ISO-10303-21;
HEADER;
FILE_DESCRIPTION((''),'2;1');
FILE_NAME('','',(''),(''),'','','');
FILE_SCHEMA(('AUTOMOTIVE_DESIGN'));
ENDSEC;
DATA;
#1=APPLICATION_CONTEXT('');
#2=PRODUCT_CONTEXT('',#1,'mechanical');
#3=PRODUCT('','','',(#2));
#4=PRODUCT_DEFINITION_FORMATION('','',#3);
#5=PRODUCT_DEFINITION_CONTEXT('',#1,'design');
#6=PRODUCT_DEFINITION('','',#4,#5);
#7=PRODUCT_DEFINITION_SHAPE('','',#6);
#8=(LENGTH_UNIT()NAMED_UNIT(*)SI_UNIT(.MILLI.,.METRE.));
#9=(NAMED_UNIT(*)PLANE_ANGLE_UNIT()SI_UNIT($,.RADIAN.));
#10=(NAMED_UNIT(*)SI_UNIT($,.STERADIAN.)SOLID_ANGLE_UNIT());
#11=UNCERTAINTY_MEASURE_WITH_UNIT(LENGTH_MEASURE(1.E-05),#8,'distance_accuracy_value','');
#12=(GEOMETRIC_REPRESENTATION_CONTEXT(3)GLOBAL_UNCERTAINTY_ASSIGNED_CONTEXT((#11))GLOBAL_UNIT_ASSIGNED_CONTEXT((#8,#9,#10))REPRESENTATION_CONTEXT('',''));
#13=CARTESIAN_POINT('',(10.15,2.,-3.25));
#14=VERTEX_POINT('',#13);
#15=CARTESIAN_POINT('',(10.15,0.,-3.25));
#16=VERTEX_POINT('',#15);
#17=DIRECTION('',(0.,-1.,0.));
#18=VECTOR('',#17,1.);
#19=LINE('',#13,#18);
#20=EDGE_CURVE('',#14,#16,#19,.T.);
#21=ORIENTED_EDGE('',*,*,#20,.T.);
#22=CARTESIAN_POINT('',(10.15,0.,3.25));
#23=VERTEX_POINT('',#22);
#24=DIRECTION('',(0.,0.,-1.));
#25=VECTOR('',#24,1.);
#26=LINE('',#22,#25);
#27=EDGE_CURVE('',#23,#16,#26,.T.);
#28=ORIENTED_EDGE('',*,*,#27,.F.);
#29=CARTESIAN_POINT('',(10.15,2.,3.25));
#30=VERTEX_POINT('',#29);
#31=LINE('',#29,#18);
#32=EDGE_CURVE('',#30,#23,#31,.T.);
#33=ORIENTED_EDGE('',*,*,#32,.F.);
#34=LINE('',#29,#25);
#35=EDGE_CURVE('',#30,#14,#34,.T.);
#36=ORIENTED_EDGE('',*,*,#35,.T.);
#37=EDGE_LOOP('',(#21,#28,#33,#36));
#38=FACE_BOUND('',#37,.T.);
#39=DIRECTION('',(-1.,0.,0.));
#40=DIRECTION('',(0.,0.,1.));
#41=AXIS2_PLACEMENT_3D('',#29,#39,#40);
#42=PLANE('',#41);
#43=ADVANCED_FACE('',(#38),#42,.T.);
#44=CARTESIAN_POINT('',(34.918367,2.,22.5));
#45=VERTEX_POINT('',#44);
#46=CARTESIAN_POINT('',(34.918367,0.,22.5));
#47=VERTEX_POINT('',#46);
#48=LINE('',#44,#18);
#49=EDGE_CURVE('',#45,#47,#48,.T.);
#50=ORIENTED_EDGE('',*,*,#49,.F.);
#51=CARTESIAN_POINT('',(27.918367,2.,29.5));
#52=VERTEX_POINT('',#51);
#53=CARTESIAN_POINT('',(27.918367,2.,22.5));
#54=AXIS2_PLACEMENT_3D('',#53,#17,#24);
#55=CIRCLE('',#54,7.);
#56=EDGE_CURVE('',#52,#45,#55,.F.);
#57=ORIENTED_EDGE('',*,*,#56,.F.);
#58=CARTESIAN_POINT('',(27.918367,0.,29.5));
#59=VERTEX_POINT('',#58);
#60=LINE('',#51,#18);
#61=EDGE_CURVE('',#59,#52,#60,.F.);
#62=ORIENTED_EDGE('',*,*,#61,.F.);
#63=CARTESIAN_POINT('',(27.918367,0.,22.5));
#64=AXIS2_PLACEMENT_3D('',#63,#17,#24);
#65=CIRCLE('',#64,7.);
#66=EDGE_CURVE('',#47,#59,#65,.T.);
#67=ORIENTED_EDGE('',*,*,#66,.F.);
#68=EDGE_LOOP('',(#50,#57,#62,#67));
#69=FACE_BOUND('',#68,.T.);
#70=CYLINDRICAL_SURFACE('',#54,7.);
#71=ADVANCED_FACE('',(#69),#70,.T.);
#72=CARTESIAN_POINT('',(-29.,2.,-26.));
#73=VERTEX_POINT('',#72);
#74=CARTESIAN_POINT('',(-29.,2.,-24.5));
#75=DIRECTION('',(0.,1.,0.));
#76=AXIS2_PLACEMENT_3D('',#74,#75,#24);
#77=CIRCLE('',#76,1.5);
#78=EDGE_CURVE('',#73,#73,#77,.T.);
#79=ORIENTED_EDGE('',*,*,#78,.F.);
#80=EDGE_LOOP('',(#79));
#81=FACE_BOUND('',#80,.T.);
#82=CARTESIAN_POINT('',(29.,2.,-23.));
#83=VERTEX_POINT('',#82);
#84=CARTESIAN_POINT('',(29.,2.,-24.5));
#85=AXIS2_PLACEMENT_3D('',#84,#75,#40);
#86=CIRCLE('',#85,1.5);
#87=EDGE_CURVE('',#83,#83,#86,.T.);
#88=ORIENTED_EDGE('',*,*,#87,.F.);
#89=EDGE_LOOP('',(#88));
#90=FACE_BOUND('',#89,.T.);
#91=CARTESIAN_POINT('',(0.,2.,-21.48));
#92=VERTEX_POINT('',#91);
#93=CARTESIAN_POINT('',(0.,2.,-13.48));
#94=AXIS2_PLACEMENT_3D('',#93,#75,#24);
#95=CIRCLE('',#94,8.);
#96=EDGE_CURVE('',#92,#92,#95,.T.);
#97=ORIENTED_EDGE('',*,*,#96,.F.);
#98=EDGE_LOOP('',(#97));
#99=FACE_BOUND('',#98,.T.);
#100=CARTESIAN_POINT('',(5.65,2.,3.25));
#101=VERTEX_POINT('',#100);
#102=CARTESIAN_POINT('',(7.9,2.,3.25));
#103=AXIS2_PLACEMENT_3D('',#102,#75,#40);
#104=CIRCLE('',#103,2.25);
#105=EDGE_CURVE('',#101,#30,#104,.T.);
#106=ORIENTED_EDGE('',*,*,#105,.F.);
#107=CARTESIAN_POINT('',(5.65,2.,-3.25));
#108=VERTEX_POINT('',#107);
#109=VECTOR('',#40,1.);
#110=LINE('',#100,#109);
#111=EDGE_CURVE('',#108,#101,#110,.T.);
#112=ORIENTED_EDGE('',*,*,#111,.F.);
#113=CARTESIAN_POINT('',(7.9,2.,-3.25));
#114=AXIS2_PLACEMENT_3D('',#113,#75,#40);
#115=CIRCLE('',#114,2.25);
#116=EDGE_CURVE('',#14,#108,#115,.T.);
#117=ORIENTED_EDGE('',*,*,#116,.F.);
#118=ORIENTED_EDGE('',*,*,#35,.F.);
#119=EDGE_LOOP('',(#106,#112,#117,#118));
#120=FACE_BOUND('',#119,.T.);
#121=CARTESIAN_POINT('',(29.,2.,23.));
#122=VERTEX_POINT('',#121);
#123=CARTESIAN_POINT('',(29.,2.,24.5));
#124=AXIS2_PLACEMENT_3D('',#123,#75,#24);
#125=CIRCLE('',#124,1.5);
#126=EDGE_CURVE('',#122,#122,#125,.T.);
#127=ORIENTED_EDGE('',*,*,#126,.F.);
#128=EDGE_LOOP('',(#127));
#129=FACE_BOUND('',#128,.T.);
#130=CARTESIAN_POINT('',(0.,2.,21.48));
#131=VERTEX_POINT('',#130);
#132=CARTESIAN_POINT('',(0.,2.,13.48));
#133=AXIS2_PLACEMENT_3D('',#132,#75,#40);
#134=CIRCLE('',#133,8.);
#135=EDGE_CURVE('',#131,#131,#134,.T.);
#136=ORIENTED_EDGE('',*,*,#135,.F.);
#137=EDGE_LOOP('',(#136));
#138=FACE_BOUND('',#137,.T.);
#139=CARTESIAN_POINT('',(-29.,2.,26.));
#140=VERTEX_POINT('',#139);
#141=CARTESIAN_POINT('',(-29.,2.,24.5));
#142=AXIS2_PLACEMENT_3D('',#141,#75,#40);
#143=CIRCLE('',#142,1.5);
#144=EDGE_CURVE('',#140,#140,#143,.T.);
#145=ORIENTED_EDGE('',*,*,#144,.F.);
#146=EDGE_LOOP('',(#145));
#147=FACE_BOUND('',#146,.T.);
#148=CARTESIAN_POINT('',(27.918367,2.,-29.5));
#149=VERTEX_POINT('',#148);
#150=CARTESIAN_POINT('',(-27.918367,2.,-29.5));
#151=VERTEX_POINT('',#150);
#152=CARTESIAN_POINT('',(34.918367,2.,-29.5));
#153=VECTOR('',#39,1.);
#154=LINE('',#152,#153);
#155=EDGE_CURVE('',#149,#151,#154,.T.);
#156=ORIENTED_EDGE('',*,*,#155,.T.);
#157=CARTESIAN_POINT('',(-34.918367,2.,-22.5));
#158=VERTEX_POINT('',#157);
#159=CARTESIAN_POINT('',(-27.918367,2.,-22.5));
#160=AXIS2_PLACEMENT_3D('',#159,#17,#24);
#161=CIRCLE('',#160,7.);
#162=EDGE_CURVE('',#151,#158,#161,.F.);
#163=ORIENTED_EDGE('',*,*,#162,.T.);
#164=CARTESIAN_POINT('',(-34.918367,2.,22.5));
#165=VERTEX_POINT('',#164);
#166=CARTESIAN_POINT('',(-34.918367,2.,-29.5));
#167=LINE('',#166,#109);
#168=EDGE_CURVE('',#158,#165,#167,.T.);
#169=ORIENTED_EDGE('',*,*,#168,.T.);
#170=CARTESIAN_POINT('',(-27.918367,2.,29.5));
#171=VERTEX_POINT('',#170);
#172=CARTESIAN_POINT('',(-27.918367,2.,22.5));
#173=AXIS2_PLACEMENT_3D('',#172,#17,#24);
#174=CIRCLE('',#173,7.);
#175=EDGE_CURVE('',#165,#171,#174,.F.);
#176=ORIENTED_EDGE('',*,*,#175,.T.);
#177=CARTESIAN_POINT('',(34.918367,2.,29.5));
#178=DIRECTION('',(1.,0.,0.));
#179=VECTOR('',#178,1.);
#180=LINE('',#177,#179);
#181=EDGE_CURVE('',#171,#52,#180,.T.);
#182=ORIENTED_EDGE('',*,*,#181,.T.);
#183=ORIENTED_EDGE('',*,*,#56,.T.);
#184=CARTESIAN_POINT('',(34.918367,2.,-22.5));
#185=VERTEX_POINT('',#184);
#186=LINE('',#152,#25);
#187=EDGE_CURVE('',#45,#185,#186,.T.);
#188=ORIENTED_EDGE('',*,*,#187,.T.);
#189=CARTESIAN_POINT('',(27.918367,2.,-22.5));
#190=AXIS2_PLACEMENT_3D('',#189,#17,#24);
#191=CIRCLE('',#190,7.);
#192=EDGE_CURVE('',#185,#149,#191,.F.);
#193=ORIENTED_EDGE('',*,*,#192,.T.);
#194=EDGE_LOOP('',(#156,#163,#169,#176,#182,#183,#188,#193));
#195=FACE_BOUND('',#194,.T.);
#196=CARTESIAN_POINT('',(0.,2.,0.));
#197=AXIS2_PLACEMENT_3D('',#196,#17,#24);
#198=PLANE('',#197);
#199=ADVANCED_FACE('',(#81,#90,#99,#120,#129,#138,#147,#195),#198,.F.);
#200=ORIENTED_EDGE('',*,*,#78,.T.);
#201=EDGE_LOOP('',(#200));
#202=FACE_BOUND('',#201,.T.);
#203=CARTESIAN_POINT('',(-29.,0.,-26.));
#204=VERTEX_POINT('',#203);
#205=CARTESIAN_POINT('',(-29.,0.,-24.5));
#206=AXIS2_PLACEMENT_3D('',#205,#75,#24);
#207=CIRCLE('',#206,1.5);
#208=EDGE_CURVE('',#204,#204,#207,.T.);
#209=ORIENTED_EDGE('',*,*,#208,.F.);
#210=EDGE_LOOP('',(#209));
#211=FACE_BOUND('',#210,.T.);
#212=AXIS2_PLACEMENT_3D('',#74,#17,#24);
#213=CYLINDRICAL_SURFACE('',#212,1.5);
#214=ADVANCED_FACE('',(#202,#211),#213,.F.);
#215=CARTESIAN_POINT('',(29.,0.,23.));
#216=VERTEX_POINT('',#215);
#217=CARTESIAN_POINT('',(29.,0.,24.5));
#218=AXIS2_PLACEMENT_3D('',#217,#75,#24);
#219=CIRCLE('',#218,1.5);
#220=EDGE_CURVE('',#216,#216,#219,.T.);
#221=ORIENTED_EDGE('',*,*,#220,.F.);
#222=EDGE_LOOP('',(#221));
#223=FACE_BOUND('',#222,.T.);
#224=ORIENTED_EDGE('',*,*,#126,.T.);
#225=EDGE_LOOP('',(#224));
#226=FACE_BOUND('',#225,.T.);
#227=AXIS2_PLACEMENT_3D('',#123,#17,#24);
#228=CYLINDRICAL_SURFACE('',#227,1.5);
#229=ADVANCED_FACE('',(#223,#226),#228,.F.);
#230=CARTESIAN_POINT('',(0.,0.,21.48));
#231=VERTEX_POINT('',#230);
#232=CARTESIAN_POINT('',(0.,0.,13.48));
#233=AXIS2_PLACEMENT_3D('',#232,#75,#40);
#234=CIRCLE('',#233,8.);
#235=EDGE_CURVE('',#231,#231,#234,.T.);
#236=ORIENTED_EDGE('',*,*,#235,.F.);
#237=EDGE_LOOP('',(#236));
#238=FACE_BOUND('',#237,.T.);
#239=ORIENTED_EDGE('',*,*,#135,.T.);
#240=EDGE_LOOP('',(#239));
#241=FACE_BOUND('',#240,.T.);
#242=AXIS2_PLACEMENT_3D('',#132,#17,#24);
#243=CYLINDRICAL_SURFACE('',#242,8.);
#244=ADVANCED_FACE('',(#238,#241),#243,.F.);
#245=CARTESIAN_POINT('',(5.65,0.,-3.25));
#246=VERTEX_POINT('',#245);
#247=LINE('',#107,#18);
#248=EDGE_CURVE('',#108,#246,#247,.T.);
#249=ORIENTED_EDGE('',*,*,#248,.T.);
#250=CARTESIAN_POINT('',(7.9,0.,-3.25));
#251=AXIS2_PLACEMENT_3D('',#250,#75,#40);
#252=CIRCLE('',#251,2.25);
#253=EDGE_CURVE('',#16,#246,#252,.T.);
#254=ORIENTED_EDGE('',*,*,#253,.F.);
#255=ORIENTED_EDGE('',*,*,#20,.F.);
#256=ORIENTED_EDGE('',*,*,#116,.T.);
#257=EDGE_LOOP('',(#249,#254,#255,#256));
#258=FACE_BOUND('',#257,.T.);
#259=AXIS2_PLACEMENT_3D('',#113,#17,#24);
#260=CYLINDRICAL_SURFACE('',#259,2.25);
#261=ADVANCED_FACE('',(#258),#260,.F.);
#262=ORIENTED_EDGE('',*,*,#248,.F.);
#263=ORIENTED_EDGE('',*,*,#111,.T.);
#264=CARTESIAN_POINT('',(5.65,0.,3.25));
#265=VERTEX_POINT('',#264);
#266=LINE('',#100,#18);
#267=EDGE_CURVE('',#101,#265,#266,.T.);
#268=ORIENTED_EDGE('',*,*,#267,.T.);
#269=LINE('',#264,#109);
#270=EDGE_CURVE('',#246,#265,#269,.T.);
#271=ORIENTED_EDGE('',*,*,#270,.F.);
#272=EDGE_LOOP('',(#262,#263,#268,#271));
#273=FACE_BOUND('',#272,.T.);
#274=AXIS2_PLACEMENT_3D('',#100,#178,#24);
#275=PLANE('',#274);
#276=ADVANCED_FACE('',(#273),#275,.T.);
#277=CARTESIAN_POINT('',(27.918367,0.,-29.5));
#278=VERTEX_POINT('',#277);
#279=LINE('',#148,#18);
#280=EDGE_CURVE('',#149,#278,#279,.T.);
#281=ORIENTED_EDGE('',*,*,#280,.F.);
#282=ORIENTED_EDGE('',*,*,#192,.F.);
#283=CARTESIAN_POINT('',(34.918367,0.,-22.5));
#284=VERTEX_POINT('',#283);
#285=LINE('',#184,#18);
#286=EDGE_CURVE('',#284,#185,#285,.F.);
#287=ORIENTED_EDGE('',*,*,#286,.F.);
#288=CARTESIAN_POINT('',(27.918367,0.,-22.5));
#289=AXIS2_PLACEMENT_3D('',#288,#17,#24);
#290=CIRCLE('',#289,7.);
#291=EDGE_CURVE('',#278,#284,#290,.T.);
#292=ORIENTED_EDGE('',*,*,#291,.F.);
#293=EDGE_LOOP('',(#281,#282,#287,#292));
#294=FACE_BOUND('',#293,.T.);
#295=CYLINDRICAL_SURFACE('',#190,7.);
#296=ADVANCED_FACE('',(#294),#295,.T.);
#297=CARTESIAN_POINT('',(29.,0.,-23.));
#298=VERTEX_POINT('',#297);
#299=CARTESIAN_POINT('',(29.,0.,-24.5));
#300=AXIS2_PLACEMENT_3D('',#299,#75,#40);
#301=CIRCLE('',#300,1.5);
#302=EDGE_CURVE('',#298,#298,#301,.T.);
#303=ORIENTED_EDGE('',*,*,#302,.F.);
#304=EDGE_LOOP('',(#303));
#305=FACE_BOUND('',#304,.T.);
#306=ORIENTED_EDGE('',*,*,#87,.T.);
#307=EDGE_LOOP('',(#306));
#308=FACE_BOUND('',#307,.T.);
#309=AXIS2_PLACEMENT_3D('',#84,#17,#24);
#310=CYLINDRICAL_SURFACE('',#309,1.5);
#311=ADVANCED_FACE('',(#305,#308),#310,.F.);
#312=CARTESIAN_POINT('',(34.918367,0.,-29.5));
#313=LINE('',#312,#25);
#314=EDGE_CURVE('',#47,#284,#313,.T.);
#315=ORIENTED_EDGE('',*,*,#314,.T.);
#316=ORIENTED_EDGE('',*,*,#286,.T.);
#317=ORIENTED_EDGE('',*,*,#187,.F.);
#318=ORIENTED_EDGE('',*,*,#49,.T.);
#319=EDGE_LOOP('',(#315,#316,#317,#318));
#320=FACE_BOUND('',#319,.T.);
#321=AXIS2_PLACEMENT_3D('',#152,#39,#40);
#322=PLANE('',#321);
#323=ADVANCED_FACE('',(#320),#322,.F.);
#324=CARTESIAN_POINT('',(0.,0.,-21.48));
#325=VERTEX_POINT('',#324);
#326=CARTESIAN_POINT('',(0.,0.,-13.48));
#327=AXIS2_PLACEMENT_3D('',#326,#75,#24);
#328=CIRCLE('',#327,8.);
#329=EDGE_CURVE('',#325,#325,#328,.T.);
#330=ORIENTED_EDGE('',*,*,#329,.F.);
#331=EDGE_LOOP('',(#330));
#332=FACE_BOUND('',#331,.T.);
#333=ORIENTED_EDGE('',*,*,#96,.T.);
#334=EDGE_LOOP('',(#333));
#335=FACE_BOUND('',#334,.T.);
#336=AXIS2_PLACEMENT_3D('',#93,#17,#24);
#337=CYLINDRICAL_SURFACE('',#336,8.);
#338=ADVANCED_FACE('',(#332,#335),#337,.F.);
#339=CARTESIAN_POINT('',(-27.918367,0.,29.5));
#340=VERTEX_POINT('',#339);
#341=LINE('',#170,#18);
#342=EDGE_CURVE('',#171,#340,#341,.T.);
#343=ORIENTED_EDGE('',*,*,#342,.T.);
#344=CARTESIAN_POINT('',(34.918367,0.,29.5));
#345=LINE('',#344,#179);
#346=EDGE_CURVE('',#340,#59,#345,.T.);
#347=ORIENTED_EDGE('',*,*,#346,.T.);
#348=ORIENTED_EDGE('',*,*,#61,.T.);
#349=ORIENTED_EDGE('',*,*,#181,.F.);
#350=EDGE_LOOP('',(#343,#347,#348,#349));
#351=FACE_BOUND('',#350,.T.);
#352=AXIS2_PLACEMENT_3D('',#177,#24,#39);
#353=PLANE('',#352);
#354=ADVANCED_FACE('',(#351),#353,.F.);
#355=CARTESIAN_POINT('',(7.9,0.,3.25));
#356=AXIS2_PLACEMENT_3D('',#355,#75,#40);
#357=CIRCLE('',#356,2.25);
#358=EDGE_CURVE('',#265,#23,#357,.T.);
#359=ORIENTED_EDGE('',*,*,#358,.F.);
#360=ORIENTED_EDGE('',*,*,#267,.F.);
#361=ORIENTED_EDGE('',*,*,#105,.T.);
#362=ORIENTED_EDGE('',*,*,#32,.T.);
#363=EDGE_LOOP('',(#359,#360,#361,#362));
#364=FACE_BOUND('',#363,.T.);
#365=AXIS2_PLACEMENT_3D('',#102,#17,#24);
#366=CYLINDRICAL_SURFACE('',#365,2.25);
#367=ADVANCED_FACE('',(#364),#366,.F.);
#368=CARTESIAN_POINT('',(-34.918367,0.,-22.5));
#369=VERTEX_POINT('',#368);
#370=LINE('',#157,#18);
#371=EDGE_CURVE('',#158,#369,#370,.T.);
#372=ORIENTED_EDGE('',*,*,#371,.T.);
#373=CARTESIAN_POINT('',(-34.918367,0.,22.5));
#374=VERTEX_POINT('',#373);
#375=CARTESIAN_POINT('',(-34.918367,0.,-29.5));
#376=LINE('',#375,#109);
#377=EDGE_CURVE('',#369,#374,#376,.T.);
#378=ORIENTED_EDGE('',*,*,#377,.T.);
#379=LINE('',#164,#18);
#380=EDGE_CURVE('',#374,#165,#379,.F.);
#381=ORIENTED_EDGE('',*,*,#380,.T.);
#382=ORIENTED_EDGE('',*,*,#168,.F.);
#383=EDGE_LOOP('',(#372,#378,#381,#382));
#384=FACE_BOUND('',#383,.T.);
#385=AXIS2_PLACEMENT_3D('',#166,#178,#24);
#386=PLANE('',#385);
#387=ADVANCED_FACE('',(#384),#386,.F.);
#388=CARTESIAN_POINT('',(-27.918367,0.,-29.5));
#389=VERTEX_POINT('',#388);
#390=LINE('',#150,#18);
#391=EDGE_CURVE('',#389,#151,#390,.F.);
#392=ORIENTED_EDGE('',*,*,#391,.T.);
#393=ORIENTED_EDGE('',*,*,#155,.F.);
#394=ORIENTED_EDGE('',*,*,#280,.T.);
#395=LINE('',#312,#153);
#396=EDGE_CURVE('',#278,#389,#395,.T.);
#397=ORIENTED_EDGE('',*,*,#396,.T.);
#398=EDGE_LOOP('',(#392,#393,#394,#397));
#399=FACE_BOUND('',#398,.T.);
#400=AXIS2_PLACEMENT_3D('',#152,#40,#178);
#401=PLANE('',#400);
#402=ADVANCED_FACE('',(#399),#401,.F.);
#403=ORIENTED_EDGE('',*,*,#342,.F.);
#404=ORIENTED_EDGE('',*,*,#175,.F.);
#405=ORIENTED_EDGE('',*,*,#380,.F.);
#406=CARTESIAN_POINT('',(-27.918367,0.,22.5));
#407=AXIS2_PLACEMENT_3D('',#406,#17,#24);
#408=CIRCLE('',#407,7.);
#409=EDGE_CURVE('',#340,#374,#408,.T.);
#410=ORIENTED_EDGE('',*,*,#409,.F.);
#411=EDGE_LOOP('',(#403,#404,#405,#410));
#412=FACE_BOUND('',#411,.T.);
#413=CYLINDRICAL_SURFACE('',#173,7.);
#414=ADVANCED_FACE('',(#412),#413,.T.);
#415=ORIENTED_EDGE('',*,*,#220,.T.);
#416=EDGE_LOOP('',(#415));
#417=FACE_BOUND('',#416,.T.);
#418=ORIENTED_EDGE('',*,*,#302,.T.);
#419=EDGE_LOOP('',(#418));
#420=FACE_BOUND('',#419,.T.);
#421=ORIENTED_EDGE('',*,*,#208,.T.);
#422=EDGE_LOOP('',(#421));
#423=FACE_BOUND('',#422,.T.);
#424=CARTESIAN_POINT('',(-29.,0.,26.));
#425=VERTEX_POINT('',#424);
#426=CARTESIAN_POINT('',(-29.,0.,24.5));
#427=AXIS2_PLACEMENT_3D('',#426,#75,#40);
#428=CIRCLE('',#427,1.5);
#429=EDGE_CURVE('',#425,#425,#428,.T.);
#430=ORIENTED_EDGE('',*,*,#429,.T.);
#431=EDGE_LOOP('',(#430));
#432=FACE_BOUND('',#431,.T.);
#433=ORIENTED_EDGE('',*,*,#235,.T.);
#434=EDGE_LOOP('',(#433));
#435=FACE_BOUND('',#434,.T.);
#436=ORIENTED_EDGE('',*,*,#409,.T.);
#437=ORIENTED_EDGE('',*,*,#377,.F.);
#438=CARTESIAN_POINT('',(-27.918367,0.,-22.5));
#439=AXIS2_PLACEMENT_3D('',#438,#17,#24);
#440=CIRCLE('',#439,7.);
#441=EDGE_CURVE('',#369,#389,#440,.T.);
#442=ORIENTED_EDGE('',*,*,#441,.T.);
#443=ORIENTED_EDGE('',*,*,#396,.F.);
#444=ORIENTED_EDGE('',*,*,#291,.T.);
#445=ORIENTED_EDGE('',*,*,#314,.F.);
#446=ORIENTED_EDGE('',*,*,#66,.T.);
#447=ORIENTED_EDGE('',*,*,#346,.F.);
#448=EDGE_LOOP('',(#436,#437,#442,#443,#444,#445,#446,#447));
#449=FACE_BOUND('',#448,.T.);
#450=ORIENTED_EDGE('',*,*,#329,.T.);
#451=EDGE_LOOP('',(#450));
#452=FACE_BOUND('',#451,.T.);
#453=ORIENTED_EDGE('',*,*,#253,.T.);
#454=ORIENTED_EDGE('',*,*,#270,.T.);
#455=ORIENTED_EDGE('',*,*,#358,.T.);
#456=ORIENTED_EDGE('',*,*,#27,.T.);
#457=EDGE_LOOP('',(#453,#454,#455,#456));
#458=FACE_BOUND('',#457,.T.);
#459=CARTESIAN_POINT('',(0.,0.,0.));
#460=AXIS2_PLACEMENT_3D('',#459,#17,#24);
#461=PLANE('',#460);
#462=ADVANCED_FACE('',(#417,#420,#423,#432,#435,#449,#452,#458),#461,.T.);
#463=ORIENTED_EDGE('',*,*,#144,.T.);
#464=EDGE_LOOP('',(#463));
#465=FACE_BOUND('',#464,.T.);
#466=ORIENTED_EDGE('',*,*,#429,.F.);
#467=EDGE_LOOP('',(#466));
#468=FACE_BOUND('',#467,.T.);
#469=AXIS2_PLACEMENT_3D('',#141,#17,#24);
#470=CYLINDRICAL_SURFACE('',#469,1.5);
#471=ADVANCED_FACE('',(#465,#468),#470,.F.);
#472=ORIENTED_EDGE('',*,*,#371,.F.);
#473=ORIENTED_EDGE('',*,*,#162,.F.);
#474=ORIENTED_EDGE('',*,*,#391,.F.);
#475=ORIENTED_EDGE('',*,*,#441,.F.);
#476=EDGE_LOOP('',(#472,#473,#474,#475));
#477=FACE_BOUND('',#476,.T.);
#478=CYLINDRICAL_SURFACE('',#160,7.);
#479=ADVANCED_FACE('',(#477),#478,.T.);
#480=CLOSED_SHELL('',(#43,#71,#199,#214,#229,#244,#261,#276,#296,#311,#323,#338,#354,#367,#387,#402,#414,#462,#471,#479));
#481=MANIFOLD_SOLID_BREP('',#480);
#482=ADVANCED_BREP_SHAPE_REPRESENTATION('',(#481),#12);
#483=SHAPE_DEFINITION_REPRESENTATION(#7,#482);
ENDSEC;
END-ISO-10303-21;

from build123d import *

# Parameters (mm, degrees)
SKETCH_2_W      = 69.836734694
SKETCH_2_H      = 59
SKETCH_2_R      = 8
SKETCH_2_R_2    = 1.5
EXTRUDE_1_DEPTH = 2
FILLET_1_R      = 7


with BuildPart() as part:
    # 草圖2 → 填料-伸長1 (new body)
    with BuildSketch(Plane(origin=(0, 0, 0), x_dir=(-1, 0, 0), z_dir=(0, 1, 0))):
        Rectangle(SKETCH_2_W, SKETCH_2_H)
        with Locations((0, 13.48)):
            Circle(SKETCH_2_R, mode=Mode.SUBTRACT)
        with Locations((0, -13.48)):
            Circle(SKETCH_2_R, mode=Mode.SUBTRACT)
        with Locations((29, 24.5)):
            Circle(SKETCH_2_R_2, mode=Mode.SUBTRACT)
        with Locations((29, -24.5)):
            Circle(SKETCH_2_R_2, mode=Mode.SUBTRACT)
        with Locations((-29, 24.5)):
            Circle(SKETCH_2_R_2, mode=Mode.SUBTRACT)
        with Locations((-29, -24.5)):
            Circle(SKETCH_2_R_2, mode=Mode.SUBTRACT)
        with BuildLine():
            Line((-5.65, 3.25), (-5.65, -3.25))
            ThreePointArc((-5.65, -3.25), (-7.9, -5.5), (-10.15, -3.25))
            Line((-10.15, -3.25), (-10.15, 3.25))
            ThreePointArc((-10.15, 3.25), (-7.9, 5.5), (-5.65, 3.25))
        make_face(mode=Mode.SUBTRACT)
    extrude(amount=EXTRUDE_1_DEPTH)

    # 圓角1
    fillet_1_edges = [part.edges().sort_by_distance(p)[0] for p in [
        (-34.918367347, 1, -29.5),
        (34.918367347, 1, -29.5),
        (34.918367347, 1, 29.5),
        (-34.918367347, 1, 29.5),
    ]]
    fillet(fillet_1_edges, radius=FILLET_1_R)


solid = part.part
